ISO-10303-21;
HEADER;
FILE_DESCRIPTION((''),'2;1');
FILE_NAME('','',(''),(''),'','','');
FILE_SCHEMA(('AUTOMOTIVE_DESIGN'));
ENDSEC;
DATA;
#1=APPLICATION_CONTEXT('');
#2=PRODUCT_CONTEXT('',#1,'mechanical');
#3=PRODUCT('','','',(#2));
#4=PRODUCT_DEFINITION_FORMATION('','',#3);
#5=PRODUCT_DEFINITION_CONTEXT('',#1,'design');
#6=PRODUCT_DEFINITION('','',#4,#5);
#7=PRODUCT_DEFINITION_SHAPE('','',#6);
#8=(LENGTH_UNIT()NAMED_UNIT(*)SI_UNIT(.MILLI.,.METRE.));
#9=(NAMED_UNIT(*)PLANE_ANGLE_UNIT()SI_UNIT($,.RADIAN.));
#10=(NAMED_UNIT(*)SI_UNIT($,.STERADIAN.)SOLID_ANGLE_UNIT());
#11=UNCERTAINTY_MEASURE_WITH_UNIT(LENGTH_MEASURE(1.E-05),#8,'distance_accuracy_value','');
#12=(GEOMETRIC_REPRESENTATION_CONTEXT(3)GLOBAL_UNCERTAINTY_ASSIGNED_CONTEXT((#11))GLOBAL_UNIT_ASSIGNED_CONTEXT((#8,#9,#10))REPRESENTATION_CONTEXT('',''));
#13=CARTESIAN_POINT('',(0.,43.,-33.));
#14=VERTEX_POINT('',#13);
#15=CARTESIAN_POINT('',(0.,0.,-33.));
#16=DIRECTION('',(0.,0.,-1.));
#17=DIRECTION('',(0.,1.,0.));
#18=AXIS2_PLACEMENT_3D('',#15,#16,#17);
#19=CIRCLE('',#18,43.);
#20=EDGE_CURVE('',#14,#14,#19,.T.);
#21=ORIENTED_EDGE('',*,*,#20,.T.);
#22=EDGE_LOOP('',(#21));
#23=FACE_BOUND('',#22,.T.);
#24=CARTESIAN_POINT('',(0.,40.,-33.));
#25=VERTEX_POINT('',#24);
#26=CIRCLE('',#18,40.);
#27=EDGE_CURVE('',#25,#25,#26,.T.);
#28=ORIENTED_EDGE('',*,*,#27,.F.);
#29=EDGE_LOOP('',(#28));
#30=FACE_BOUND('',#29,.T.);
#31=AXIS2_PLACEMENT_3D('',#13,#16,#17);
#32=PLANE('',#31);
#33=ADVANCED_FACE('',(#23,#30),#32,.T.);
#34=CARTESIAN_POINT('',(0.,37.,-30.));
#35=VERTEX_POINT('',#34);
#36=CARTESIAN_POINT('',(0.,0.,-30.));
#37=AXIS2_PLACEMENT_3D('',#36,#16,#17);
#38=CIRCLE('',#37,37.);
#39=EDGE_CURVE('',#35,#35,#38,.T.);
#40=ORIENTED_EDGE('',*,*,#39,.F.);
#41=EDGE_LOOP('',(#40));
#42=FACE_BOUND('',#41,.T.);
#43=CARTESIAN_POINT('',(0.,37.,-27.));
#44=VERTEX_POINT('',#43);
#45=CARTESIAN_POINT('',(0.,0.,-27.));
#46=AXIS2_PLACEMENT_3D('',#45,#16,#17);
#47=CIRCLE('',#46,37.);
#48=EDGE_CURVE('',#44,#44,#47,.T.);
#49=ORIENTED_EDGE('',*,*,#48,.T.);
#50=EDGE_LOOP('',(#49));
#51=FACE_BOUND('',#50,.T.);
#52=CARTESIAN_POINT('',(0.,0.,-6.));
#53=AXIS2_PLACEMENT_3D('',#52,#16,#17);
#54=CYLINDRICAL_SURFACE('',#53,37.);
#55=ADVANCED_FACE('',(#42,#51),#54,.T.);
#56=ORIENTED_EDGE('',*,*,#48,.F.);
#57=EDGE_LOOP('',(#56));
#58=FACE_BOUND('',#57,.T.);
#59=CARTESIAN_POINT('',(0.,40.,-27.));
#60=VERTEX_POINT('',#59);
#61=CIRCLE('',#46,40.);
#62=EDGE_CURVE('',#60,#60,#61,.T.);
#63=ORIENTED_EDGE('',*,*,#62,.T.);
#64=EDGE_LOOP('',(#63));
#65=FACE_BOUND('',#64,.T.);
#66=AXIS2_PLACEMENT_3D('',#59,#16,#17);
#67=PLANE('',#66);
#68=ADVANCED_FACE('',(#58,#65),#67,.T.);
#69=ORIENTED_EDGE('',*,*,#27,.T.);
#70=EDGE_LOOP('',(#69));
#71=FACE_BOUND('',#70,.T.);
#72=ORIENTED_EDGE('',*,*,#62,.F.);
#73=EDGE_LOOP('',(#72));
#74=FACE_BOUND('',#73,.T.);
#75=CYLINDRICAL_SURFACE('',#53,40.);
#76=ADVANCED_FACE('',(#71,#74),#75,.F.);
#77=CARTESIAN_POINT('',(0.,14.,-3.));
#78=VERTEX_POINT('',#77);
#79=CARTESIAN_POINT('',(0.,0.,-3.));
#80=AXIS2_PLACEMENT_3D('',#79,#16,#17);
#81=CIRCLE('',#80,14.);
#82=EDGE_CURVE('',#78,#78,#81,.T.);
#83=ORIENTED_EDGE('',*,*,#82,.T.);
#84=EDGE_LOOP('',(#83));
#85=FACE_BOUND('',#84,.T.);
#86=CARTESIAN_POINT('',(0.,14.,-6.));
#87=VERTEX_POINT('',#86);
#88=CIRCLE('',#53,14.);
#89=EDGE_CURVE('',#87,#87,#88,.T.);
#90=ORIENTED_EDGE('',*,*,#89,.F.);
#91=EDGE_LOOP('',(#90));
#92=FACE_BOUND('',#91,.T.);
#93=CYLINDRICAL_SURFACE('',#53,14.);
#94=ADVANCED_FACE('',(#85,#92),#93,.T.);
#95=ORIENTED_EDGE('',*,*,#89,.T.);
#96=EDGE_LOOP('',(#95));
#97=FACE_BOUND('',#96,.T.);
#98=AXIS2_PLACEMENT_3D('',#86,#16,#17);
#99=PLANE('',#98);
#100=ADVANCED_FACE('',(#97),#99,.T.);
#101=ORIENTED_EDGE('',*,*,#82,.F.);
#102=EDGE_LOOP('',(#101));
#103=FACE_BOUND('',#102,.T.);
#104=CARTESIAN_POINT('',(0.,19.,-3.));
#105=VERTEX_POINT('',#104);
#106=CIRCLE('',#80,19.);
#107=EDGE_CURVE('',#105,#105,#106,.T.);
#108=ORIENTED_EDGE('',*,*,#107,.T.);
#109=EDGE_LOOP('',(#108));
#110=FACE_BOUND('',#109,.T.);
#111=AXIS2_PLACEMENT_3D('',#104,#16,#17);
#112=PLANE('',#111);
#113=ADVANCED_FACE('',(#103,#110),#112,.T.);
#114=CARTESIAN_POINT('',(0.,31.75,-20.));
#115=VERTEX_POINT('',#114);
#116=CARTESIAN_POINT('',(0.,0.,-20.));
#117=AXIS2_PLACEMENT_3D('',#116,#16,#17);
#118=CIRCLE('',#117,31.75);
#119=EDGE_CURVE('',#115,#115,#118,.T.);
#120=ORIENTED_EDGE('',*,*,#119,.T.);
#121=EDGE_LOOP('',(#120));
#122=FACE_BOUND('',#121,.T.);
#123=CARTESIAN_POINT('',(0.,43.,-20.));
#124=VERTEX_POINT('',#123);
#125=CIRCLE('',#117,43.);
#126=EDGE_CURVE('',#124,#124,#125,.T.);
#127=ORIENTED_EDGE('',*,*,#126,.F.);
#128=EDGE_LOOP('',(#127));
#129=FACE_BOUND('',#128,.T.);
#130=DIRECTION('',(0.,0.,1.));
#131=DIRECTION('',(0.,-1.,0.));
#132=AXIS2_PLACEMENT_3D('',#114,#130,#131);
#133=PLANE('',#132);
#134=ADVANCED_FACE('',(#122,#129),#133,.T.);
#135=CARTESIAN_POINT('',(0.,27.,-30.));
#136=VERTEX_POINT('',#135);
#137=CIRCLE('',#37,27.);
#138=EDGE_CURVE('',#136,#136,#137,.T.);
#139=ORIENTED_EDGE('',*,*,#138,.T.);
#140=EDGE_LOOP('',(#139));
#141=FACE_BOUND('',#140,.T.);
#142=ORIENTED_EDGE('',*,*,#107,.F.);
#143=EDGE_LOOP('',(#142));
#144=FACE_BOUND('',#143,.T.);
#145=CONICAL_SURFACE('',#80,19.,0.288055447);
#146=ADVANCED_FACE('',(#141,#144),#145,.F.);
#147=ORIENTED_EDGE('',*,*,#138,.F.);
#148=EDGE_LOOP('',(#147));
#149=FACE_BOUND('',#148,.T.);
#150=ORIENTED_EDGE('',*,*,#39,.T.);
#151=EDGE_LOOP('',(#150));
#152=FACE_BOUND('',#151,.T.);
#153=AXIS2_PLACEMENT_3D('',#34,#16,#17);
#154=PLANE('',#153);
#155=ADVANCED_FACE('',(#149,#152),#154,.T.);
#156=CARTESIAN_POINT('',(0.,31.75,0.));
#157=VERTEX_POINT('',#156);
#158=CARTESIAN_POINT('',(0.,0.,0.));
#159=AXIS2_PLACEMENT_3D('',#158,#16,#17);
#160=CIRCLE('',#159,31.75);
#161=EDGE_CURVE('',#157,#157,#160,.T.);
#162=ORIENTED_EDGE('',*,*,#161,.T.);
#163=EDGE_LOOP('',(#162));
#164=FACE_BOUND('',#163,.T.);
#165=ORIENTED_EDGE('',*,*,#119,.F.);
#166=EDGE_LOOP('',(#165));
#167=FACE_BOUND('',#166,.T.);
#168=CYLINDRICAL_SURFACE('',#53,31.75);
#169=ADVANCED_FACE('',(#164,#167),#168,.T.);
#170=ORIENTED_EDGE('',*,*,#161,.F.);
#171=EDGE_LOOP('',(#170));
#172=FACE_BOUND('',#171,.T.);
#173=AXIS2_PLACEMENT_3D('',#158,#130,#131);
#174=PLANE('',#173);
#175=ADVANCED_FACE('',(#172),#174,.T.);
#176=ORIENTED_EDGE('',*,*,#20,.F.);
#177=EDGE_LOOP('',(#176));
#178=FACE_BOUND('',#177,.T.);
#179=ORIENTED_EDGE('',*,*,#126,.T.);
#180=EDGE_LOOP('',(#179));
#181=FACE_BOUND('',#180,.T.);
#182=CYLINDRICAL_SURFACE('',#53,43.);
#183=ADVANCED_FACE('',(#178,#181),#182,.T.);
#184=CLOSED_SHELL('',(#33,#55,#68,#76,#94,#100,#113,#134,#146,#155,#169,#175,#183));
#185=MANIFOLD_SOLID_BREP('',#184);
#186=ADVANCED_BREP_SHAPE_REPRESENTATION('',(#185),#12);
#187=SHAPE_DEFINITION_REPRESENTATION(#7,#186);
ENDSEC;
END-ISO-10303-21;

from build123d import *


with BuildPart() as part:
    # Эскиз1 → Повернуть1 (revolve)
    with BuildSketch(Plane(origin=(0, 0, 0), x_dir=(0, 0, -1), z_dir=(1, 0, 0))):
        Polygon((6, 0), (0, 0), (0, 31.75), (20, 31.75), (20, 43), (33, 43), (33, 40), (27, 40), (27, 37), (30, 37), (30, 27), (3, 19), (3, 14), (6, 14), align=None)
    revolve(axis=Axis((0, 0, -6), (0, 0, 1)))


solid = part.part
